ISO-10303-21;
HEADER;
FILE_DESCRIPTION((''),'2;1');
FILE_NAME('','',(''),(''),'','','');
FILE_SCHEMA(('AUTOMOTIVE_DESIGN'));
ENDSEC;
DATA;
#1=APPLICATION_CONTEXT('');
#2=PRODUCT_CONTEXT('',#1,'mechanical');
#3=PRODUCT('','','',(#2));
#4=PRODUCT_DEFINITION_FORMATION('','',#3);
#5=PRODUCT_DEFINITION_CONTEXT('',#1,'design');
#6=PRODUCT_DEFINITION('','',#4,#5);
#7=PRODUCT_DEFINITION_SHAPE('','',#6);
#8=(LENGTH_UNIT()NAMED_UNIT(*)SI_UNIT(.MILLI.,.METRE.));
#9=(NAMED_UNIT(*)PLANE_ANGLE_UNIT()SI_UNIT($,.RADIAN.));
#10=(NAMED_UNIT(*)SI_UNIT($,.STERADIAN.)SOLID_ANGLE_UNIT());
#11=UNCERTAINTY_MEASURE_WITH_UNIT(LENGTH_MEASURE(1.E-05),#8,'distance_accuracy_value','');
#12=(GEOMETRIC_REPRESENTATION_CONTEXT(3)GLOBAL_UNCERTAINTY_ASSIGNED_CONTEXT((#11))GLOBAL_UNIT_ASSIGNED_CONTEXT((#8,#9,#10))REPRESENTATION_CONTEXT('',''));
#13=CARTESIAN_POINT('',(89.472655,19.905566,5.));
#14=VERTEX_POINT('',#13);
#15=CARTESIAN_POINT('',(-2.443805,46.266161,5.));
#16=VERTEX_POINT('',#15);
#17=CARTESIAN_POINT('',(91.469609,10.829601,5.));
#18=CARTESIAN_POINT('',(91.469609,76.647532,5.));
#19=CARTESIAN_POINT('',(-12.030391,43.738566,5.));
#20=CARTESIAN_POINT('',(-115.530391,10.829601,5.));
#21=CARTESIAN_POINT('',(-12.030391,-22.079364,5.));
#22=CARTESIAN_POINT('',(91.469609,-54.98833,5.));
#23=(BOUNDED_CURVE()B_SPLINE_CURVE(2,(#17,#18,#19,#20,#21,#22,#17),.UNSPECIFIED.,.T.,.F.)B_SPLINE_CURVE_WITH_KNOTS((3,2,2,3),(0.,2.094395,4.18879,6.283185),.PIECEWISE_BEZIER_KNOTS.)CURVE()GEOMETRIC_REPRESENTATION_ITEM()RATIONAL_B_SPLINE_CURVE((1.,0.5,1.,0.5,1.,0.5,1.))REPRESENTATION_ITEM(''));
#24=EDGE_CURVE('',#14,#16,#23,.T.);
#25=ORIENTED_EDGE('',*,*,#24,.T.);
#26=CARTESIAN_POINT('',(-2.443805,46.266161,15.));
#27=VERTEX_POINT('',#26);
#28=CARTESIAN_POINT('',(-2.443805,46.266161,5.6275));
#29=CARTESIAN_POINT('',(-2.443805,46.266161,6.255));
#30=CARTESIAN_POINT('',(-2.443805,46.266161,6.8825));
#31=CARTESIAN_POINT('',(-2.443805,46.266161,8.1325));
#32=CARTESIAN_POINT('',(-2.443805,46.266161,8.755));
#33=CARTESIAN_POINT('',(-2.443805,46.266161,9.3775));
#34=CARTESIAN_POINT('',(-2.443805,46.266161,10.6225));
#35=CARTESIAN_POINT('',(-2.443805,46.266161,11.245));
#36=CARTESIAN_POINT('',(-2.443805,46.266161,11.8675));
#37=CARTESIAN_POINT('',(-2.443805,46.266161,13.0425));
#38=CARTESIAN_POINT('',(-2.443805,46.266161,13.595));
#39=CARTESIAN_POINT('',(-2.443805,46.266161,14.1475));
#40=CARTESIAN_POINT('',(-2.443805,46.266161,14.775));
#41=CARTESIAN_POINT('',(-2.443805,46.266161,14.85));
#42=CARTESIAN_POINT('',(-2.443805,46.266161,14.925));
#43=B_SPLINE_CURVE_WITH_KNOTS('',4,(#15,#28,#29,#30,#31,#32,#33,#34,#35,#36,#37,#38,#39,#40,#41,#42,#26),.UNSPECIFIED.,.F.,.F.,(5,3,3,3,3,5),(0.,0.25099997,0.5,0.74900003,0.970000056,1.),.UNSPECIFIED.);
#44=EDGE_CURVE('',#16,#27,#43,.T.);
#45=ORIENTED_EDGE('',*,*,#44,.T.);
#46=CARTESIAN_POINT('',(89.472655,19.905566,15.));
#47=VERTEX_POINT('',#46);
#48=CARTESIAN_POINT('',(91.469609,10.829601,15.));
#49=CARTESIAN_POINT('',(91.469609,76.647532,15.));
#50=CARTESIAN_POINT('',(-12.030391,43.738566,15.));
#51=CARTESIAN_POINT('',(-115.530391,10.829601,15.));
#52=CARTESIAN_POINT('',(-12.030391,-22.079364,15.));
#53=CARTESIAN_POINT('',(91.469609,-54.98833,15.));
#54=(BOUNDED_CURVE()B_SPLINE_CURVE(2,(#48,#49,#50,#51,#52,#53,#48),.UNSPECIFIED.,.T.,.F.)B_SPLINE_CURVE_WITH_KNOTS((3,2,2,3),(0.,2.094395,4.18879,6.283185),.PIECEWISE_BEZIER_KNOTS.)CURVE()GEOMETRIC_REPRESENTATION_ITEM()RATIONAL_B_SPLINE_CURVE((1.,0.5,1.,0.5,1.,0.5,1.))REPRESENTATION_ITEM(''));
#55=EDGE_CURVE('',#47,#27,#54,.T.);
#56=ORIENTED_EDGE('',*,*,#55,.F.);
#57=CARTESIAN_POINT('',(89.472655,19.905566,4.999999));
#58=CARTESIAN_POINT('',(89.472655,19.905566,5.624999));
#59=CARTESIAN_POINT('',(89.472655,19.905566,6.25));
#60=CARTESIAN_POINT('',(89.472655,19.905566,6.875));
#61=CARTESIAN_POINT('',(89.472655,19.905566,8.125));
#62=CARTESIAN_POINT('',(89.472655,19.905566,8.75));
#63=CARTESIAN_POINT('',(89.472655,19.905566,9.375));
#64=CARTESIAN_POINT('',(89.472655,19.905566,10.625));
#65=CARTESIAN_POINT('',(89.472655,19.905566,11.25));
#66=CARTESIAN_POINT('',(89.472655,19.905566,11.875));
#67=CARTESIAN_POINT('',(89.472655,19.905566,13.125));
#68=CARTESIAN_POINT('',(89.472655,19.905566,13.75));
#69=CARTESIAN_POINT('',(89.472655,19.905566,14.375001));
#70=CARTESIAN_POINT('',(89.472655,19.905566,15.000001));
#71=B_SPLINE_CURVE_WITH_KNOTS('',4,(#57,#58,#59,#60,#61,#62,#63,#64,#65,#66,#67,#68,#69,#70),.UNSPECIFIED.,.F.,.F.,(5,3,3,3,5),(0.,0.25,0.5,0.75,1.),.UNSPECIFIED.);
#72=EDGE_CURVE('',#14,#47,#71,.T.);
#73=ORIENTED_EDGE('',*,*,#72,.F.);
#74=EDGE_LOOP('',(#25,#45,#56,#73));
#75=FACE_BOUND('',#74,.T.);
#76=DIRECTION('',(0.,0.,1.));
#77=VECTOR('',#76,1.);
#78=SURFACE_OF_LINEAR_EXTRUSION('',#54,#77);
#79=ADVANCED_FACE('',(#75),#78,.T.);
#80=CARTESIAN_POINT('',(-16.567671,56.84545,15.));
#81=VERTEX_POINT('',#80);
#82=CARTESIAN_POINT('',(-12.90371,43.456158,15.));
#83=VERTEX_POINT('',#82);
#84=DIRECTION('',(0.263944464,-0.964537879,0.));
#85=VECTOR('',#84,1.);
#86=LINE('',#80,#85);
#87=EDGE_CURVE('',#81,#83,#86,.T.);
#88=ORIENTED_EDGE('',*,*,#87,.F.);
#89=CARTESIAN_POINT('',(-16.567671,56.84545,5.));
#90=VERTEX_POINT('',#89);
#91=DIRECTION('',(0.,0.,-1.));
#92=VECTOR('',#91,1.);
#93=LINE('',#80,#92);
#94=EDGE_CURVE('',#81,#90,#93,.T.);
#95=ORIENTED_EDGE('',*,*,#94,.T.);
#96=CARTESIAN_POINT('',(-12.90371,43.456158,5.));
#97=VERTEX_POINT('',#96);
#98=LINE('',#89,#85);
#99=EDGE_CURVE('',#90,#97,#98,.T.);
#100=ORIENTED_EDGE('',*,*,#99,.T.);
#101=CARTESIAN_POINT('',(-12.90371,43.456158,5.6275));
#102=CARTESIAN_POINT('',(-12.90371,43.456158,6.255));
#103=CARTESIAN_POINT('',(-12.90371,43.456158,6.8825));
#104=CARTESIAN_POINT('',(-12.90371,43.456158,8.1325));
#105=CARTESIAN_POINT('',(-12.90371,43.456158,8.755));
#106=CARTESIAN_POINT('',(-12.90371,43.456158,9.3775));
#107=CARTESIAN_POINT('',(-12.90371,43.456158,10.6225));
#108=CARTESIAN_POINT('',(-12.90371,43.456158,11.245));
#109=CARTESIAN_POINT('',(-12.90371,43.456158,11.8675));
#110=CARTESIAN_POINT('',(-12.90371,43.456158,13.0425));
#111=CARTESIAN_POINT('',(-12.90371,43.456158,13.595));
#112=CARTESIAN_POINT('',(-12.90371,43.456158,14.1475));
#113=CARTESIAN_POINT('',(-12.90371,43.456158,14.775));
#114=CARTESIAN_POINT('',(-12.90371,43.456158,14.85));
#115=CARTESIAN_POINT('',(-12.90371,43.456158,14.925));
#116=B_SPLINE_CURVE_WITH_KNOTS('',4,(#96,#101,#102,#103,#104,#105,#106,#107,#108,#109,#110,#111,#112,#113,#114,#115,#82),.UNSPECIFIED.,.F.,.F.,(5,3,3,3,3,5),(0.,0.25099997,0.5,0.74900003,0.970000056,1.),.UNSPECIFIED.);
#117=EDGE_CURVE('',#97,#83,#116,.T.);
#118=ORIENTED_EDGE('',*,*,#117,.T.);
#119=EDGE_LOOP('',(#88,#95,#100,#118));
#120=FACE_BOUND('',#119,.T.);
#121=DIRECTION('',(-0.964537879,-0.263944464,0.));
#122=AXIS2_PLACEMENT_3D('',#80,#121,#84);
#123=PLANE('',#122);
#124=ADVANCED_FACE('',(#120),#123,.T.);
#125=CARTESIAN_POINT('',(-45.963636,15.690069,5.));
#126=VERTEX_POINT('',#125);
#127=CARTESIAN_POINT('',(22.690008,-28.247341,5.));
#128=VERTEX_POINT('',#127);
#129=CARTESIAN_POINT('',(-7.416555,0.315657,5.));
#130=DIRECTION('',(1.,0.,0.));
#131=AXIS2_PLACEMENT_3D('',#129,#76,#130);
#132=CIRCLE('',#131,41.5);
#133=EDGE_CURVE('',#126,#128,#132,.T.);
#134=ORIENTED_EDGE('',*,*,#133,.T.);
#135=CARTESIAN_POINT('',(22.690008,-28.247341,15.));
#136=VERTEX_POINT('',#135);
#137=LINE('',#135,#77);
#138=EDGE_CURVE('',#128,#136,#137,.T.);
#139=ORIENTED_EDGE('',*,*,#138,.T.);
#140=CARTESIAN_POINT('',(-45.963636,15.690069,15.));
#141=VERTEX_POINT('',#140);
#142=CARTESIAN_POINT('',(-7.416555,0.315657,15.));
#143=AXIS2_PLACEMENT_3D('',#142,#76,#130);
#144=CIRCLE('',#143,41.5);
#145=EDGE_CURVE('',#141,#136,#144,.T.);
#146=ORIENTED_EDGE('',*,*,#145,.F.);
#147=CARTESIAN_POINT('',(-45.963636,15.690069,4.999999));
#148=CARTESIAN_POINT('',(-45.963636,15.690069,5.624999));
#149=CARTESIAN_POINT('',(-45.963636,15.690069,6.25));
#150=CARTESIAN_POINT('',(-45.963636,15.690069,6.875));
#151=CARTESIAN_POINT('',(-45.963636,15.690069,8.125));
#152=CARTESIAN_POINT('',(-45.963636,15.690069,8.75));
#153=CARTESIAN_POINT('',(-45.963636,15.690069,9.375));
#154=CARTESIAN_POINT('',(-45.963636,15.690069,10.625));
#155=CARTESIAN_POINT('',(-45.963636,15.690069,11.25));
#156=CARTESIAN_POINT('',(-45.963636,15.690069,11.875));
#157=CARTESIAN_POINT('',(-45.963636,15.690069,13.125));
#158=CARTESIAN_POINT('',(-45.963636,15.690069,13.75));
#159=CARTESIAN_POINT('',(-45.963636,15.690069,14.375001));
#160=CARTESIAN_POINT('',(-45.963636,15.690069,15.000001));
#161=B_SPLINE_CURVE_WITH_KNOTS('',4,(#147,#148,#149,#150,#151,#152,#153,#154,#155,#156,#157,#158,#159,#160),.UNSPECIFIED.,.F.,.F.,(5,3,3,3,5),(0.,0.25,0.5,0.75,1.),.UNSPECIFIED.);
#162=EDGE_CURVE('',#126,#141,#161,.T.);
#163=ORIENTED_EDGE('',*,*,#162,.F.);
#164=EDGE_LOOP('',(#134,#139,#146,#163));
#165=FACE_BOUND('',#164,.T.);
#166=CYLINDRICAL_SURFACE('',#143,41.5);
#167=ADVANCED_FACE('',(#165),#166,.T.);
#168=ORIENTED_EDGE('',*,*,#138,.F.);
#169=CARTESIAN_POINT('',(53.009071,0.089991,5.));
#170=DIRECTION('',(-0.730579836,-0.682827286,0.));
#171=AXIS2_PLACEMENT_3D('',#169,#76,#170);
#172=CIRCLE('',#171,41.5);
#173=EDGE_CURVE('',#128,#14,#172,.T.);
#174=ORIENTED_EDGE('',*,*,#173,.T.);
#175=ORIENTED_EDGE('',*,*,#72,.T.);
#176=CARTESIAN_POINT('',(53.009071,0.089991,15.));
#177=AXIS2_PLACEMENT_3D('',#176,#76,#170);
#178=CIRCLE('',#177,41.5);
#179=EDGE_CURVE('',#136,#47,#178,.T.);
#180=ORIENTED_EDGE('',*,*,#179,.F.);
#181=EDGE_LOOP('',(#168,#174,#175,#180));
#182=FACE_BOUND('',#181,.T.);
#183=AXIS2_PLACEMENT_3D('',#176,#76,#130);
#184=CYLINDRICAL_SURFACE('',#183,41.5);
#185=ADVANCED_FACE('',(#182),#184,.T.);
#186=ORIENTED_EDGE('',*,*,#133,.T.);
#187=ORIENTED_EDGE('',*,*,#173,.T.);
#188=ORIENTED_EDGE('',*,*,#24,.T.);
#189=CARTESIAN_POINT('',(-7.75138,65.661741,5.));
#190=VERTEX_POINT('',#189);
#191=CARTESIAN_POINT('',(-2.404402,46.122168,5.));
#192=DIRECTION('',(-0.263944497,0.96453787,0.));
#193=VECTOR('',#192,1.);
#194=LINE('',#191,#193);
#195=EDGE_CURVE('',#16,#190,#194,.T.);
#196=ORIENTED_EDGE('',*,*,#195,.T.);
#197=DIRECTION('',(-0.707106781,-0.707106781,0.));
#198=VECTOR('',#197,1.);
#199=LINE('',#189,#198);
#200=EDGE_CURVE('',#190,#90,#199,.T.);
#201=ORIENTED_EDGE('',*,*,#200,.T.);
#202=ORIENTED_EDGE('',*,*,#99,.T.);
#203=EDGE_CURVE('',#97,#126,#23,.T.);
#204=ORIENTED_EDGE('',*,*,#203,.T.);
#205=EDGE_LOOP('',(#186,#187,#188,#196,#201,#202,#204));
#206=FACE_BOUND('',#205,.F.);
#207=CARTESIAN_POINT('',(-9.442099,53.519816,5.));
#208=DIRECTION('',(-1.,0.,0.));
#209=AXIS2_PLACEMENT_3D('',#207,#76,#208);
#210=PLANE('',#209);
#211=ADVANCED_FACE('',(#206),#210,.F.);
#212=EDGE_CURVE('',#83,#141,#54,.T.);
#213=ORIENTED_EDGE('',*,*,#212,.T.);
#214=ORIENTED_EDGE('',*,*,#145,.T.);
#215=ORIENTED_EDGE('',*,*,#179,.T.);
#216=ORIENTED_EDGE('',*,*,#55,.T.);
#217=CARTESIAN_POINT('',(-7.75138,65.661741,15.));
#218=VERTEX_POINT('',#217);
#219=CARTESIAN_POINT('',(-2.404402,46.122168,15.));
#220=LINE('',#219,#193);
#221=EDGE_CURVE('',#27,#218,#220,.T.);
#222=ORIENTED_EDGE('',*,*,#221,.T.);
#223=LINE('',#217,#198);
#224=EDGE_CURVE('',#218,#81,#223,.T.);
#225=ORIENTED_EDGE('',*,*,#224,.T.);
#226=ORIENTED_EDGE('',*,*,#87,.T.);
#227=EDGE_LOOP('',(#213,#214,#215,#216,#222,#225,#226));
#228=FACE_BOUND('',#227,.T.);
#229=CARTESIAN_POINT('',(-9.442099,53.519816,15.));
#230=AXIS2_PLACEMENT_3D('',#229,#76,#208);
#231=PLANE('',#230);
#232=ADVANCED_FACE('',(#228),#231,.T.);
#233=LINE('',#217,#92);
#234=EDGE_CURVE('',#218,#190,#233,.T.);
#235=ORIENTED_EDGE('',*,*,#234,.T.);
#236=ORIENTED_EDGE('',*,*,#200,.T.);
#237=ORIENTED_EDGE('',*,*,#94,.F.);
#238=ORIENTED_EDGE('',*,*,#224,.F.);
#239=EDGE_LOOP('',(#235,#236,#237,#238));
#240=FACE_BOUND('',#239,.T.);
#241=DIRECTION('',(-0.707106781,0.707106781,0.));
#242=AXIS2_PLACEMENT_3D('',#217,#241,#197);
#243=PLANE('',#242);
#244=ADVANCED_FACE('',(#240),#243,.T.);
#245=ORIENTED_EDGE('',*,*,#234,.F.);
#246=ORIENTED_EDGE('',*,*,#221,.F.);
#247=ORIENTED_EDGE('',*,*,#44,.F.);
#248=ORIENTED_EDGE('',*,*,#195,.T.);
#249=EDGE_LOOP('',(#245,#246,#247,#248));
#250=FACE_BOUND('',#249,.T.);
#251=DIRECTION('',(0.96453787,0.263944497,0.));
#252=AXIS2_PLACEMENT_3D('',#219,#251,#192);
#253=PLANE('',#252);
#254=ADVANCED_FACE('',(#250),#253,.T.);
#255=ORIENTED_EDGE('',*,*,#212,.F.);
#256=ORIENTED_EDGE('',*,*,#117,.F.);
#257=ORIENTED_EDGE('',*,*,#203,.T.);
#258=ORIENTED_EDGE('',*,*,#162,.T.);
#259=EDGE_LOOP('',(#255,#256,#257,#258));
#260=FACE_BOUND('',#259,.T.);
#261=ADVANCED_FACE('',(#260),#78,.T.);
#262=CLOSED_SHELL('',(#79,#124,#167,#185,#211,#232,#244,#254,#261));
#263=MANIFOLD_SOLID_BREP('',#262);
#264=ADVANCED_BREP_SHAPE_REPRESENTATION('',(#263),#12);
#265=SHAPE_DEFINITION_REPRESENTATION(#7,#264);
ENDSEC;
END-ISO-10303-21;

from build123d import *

# Parameters (mm, degrees)
CIRCLE001_R        = 41.5
EXTRUSION002_DEPTH = 10
EXTRUSION_DEPTH    = 10
CIRCLE_R           = 41.5
EXTRUSION001_DEPTH = 10
EXTRUSION003_DEPTH = 10


with BuildPart() as extrusion002:
    # Circle001 (on Cut009001_solid) → Extrusion002 (new body)
    with BuildSketch(Plane(origin=(-7.416555, 0.315657, 15), x_dir=(1, 0, 0), z_dir=(0, 0, 1))):
        Circle(CIRCLE001_R)
    extrude(amount=-EXTRUSION002_DEPTH)


with BuildPart() as extrusion:
    # Wire → Extrusion (new body)
    with BuildSketch(Plane(origin=(-7.75138, 65.661741, 15), x_dir=(1, 0, 0), z_dir=(0, 0, -1))):
        Polygon((0, 0), (-8.816291, 8.816291), (-5.098214, 22.403339), (5.346978, 19.539573), align=None)
    extrude(amount=EXTRUSION_DEPTH)


with BuildPart() as fusion:
    # Circle (on Cut009001_solid) → Extrusion001 (new body)
    with BuildSketch(Plane(origin=(53.009071, 0.089991, 15), x_dir=(1, 0, 0), z_dir=(0, 0, 1))):
        Circle(CIRCLE_R)
    extrude(amount=-EXTRUSION001_DEPTH)

    # Fusion: union Extrusion002, Extrusion
    add(extrusion002.part)
    add(extrusion.part)


with BuildPart() as fusion001:
    # Ellipse002 → Extrusion003 (new body)
    with BuildSketch(Plane(origin=(22.469609, 10.829601, 15), x_dir=(1, 0, 0), z_dir=(0, 0, 1))):
        with BuildLine():
            add(Edge.make_bspline(
                [(69, 0), (69, 65.817931), (-34.5, 32.908965), (-138, 0), (-34.5, -32.908965), (69, -65.817931), (69, 0)],
                knots=[0, 0, 0, 2.094395, 2.094395, 4.18879, 4.18879, 6.283185, 6.283185, 6.283185], degree=2, weights=[1, 0.5, 1, 0.5, 1, 0.5, 1]))
        make_face()
    extrude(amount=-EXTRUSION003_DEPTH)

    # Fusion001: union Fusion
    add(fusion.part)


solid = fusion001.part
